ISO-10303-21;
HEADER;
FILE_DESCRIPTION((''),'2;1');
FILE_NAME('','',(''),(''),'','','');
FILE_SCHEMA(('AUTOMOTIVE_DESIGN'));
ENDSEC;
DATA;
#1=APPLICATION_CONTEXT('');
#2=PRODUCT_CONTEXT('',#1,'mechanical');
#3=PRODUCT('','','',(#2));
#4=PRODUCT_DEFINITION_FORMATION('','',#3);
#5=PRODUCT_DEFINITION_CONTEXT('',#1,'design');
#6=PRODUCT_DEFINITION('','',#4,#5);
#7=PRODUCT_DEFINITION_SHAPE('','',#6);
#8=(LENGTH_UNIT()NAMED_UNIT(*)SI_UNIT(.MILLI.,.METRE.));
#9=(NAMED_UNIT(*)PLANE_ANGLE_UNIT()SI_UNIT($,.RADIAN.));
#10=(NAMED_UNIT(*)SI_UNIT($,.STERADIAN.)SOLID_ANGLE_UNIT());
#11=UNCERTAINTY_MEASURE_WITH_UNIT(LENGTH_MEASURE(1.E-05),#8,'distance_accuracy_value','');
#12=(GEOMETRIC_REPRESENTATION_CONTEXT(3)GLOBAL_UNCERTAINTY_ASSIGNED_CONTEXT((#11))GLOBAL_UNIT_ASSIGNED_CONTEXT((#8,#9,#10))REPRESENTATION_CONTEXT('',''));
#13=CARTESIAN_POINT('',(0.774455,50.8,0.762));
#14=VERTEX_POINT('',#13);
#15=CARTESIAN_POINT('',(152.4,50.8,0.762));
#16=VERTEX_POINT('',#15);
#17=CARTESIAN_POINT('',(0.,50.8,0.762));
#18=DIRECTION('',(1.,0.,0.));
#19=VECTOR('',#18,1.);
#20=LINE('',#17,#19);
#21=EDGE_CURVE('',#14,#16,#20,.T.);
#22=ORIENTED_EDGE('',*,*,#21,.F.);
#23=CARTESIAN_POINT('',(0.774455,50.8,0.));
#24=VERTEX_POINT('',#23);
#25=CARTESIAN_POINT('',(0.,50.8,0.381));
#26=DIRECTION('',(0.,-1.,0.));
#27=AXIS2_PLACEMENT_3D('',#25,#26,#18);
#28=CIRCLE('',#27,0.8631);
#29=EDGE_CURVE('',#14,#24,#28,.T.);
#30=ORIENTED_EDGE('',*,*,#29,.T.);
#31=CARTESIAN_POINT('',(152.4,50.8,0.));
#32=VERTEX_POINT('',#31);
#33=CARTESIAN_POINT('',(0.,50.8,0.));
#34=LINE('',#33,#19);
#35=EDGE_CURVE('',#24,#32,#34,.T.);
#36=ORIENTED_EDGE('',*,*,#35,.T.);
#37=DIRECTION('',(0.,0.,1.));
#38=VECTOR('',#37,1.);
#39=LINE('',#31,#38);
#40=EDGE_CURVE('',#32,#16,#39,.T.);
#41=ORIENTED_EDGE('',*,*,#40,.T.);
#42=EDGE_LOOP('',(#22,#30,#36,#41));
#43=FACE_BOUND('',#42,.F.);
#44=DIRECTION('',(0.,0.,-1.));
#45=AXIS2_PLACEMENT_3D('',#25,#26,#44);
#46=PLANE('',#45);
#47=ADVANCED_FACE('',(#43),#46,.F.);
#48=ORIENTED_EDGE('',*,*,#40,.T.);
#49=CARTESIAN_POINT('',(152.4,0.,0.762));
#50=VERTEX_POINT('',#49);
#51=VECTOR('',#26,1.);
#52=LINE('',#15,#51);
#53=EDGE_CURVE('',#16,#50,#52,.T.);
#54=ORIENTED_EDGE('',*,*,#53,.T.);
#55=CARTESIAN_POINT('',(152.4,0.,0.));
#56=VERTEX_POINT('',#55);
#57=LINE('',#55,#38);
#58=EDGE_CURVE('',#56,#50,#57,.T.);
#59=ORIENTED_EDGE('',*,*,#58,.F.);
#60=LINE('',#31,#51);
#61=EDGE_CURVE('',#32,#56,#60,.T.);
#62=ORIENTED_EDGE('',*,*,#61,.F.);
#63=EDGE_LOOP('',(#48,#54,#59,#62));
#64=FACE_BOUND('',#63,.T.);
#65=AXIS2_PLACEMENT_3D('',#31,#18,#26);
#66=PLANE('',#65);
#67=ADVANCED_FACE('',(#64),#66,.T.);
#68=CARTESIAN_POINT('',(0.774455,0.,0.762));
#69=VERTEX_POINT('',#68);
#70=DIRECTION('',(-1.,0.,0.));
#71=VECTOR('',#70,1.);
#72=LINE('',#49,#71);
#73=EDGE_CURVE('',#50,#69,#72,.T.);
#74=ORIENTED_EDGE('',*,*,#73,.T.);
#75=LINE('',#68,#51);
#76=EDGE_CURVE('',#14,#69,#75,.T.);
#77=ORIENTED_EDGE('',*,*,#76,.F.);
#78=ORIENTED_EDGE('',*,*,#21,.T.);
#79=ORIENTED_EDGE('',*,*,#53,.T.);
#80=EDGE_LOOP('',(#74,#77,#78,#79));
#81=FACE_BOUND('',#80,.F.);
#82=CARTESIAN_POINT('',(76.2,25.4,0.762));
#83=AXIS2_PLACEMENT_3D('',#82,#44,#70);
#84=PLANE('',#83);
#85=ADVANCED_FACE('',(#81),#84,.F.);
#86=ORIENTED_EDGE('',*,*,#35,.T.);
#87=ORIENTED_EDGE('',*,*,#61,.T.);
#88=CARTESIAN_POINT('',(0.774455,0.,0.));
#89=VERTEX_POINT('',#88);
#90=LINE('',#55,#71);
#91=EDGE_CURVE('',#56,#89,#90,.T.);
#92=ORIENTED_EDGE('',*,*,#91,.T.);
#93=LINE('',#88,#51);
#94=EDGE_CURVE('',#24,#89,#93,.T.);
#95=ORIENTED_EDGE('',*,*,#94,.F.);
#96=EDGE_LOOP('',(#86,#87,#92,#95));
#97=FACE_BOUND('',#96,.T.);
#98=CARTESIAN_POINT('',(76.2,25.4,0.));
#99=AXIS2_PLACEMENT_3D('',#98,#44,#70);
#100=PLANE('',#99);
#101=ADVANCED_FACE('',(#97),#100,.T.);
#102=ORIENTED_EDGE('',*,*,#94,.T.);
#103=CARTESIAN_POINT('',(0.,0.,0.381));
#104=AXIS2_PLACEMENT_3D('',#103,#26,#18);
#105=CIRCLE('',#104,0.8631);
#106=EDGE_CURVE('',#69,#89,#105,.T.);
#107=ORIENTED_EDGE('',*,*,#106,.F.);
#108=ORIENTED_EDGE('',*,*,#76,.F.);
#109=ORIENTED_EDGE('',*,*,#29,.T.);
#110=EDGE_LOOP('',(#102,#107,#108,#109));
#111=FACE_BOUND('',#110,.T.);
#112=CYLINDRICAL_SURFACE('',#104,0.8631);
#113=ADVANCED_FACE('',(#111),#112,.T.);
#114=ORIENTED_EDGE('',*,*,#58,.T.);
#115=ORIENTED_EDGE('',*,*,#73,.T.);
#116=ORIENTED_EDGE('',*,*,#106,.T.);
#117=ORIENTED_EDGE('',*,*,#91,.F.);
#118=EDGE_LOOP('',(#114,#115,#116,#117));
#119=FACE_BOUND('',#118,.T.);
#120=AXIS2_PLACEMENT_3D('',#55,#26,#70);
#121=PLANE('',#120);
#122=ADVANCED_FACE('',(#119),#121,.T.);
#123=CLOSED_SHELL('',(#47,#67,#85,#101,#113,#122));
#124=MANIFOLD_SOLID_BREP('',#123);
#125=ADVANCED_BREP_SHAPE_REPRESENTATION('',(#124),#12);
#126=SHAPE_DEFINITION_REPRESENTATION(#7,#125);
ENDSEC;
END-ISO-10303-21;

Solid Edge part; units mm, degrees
sketch "Sketch1" plane through (0, 0, 0) normal (0, 0, 1) x (1, 0, 0)
  line L0 (0, 0) -> (0, 50.8)
  line L1 (0, 50.8) -> (152.4, 50.8)
  line L2 (152.4, 50.8) -> (152.4, 0)
  line L3 (152.4, 0) -> (0, 0)
  dimension "D1" = 152.4
  dimension "D2" = 50.8
extrude "Protrusion1" add sketch "Sketch1" along normal blind 0.762
sketch "Sketch2" plane through (0, 0, 0) normal (0, -1, 0) x (1, 0, 0)
  circle A0 centre (0, 0.381) radius 0.8631
extrude "ExtrudedProtrusion_2" add sketch "Sketch2" against normal blind 50.8
